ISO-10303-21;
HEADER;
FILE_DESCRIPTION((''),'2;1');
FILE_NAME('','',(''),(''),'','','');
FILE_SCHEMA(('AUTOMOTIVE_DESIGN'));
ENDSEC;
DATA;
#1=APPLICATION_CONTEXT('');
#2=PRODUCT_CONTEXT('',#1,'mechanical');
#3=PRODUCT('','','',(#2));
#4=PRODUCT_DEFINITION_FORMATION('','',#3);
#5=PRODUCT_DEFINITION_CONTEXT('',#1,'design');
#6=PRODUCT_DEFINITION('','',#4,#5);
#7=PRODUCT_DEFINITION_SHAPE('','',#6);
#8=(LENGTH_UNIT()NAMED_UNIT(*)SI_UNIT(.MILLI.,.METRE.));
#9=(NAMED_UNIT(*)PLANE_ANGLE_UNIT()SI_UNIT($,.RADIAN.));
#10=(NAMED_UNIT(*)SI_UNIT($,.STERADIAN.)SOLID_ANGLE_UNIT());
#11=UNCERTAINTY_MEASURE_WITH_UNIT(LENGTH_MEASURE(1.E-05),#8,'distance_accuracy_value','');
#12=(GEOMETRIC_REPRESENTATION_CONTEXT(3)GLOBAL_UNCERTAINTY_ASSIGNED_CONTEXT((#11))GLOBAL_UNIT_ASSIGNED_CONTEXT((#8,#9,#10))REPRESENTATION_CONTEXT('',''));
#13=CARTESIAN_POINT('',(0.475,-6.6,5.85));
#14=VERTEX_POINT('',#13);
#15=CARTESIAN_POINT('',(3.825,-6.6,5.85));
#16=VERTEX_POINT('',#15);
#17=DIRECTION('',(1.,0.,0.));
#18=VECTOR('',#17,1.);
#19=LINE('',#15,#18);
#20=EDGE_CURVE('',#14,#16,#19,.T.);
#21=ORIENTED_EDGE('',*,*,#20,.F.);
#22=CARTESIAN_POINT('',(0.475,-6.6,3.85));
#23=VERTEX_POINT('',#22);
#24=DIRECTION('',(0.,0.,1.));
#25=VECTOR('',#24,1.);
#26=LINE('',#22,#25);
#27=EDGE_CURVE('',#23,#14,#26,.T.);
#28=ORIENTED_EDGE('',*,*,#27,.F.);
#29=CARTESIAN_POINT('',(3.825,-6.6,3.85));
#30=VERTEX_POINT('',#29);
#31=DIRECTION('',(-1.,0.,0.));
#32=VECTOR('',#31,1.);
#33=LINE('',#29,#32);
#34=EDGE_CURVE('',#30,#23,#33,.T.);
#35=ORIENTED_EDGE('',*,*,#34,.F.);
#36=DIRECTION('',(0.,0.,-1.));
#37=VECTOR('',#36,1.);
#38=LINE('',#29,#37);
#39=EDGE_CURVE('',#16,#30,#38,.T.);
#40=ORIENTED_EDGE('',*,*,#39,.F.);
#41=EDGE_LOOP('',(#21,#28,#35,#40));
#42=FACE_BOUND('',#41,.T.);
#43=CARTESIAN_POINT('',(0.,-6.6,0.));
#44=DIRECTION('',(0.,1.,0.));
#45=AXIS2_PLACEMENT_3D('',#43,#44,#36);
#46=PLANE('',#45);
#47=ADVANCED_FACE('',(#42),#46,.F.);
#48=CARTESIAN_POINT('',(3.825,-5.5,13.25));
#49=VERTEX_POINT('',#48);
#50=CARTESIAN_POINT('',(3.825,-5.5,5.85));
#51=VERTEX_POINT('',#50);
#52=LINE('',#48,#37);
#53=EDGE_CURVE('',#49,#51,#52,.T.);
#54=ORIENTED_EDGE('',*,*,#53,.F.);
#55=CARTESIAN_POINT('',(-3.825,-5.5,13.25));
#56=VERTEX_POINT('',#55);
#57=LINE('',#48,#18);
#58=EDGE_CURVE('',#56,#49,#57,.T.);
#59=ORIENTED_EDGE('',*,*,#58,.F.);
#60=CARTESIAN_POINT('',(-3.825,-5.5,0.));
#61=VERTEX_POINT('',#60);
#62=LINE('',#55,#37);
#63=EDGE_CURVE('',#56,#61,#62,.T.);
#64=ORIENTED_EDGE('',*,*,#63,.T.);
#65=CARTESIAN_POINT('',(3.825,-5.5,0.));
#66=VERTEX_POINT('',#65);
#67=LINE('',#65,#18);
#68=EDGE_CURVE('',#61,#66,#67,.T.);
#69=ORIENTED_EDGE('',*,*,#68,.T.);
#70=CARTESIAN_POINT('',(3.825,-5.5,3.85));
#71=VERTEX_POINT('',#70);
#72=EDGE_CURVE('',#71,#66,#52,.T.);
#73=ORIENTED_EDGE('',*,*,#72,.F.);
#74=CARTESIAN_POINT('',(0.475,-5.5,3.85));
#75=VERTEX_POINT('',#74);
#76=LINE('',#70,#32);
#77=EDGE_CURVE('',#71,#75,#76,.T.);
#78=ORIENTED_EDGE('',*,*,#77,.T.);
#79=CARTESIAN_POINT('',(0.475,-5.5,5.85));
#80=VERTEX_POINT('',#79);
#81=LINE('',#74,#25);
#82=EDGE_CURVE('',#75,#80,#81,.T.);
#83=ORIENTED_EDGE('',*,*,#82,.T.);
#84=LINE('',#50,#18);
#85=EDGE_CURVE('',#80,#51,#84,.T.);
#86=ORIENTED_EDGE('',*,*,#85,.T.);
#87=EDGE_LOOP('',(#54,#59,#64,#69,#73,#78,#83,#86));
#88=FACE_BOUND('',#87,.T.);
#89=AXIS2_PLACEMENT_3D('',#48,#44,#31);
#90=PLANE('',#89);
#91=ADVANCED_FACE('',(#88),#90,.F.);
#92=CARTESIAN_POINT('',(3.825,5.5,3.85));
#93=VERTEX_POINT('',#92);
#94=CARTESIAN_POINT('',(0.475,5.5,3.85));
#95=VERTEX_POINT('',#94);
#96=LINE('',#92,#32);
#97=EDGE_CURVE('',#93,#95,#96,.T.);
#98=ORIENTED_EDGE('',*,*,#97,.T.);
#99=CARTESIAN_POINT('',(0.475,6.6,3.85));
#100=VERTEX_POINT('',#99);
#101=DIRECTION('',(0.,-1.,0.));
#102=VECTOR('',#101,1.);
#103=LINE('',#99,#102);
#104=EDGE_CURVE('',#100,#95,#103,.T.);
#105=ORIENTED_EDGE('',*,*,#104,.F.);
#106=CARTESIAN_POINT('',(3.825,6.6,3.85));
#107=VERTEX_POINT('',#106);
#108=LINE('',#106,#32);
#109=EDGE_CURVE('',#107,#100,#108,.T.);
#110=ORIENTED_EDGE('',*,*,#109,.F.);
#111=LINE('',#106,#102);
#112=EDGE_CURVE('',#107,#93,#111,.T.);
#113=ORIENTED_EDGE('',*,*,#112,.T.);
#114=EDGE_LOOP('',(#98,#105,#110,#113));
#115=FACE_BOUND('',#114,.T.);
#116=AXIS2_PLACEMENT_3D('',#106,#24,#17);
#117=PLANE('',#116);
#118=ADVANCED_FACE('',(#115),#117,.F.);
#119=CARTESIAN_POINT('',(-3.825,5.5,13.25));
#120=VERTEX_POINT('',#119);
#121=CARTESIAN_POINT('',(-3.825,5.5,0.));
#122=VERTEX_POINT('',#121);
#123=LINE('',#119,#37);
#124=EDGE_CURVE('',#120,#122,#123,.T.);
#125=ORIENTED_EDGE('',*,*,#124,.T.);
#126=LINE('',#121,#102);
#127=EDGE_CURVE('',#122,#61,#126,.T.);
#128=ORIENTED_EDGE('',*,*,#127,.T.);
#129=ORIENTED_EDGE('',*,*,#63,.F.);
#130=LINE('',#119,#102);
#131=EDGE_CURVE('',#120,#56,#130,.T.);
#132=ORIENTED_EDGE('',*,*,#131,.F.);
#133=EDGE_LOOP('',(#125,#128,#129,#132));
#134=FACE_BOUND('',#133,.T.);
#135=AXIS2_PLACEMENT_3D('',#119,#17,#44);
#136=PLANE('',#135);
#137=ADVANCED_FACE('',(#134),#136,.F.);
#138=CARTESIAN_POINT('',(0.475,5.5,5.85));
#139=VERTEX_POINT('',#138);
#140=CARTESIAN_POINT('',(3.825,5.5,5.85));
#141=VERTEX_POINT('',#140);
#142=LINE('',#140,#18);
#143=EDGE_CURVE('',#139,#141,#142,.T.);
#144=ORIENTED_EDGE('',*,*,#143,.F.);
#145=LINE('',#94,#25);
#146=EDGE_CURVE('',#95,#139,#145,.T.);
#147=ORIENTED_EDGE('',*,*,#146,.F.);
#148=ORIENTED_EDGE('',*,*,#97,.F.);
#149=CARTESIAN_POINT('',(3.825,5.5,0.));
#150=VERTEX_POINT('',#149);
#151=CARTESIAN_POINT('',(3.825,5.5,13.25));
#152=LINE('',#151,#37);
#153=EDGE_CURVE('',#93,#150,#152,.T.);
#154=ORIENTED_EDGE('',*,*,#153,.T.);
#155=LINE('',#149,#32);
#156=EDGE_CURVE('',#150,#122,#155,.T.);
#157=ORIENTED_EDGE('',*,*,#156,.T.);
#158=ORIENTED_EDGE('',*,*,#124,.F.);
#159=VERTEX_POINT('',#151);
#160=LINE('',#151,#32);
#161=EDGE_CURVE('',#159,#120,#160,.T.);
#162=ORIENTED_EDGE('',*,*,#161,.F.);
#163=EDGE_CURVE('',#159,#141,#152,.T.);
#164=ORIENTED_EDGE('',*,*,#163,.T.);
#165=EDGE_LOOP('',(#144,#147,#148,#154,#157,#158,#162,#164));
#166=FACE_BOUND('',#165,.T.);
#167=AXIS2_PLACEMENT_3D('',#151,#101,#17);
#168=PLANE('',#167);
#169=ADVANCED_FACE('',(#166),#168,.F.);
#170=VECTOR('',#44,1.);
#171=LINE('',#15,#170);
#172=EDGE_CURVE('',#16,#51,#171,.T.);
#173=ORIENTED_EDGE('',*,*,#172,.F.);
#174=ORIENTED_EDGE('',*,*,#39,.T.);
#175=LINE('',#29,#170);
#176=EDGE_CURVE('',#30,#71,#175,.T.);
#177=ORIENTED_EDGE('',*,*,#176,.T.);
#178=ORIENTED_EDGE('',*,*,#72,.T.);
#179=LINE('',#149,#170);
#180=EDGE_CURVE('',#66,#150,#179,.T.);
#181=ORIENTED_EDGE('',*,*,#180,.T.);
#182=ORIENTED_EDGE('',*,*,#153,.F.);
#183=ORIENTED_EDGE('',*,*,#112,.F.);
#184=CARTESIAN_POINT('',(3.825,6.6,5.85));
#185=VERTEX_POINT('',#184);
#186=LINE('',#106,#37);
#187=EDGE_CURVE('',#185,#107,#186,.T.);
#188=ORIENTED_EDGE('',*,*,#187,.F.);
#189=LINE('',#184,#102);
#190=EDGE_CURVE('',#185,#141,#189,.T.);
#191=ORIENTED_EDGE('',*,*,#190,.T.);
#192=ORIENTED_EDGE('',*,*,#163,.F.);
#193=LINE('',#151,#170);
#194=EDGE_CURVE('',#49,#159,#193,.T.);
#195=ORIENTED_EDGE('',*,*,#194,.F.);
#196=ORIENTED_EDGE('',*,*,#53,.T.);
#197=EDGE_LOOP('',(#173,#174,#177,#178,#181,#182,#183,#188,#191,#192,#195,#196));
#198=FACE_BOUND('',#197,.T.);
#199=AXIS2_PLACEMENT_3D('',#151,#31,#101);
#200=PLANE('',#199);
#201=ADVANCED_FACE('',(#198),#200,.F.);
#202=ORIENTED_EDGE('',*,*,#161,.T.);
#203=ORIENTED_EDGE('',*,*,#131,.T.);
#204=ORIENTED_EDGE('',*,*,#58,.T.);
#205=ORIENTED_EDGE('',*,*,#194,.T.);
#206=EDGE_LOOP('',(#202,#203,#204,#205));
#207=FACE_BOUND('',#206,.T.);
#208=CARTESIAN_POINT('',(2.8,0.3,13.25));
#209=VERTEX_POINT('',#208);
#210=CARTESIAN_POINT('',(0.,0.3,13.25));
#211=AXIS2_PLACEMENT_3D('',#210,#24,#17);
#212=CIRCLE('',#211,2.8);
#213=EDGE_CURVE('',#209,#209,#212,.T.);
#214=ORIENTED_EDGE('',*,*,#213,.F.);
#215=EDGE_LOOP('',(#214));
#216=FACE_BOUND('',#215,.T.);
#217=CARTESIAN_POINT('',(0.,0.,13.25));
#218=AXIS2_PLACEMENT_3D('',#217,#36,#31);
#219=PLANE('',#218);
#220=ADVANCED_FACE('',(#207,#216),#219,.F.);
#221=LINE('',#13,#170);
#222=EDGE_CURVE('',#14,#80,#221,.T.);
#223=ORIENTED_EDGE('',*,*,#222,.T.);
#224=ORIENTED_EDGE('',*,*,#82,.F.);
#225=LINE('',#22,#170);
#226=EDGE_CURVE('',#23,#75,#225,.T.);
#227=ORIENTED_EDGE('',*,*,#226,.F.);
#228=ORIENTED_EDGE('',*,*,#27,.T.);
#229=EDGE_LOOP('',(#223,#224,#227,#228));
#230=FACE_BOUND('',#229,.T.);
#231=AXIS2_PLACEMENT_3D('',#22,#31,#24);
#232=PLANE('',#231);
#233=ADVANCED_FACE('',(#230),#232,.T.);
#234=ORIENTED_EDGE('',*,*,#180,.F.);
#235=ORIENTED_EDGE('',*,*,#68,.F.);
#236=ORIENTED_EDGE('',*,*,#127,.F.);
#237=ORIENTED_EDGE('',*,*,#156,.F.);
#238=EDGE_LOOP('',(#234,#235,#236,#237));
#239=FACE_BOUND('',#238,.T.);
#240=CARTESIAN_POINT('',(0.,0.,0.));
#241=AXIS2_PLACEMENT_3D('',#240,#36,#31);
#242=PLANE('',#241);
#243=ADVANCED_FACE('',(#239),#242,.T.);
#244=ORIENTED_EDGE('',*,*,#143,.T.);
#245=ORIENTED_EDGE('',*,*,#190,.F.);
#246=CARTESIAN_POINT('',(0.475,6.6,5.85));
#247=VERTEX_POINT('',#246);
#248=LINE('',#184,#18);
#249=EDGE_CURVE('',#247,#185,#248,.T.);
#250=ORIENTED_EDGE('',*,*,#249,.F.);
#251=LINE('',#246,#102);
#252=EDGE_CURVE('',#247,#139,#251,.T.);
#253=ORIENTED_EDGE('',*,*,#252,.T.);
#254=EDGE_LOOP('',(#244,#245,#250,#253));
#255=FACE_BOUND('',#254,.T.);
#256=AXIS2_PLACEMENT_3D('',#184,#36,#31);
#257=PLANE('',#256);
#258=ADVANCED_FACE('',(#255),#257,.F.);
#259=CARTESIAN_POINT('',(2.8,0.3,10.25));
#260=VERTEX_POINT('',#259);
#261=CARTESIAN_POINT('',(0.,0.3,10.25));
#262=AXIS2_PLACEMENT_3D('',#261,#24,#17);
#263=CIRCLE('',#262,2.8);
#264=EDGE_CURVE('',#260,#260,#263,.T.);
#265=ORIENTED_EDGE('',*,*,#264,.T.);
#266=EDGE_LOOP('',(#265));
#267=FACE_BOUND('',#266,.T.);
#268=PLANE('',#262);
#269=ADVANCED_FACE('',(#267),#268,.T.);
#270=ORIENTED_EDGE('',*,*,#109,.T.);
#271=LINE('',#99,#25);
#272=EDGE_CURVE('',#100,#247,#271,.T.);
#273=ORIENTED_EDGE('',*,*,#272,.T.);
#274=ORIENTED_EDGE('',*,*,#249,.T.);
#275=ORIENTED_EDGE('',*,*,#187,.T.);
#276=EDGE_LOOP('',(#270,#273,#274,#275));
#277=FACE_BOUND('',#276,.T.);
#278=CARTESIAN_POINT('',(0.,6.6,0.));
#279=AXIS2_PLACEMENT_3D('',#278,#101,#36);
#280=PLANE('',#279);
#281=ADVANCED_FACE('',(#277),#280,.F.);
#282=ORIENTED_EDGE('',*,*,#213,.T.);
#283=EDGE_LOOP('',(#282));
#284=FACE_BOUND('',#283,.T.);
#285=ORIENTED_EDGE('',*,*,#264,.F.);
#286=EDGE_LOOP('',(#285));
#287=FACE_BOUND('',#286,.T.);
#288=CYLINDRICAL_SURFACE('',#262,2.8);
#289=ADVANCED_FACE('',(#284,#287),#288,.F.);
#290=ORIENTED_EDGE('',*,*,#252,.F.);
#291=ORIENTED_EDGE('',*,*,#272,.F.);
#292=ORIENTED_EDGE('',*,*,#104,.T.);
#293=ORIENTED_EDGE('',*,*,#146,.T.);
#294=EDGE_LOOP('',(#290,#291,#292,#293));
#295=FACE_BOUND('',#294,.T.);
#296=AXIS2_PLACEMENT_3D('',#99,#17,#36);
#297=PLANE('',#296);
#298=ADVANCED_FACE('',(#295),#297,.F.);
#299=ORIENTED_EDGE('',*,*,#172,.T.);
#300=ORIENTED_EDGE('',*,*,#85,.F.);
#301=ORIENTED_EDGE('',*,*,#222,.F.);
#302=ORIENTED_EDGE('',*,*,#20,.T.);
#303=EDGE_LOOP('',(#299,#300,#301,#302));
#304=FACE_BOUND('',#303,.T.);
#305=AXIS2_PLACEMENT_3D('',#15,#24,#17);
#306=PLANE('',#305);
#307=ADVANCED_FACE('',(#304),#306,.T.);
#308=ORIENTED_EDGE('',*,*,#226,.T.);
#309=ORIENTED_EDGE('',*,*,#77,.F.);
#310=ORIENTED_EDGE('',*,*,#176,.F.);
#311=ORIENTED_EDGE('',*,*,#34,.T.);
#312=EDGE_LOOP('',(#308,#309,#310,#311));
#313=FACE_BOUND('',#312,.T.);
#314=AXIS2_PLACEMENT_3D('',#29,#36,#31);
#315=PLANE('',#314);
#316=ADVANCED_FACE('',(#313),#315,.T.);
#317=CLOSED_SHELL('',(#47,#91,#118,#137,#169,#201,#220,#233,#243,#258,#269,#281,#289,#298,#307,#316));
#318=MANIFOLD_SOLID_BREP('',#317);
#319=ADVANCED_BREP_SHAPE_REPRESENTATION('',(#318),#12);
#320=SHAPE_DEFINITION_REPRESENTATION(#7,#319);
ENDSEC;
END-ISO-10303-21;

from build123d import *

# Parameters (mm, degrees)
SKETCH_1_W          = 7.65
SKETCH_1_H          = 11
EXTRUDE_1_DEPTH     = 13.25
SKETCH_2_W          = 3.35
SKETCH_2_H          = 2
EXTRUDE_2_DEPTH     = 1.1
SKETCH_3_R          = 2.8
CUT_EXTRUDE_1_DEPTH = 3


with BuildPart() as part:
    # Эскиз1 → Бобышка-Вытянуть1 (new body)
    with BuildSketch(Plane.XY):
        Rectangle(SKETCH_1_W, SKETCH_1_H)
    extrude(amount=EXTRUDE_1_DEPTH)

    # Эскиз2 → Бобышка-Вытянуть2 (add)
    with BuildSketch(Plane(origin=(0, 5.5, 0), x_dir=(1, 0, 0), z_dir=(0, 1, 0))):
        with Locations((2.15, -4.85)):
            Rectangle(SKETCH_2_W, SKETCH_2_H)
    extrude_2 = extrude(amount=EXTRUDE_2_DEPTH)

    # Зеркальное отражение1: Бобышка-Вытянуть2 across plane
    add(extrude_2.mirror(Plane.ZX))

    # Эскиз3 → Вырез-Вытянуть1 (cut)
    with BuildSketch(Plane.XY.offset(13.25)):
        with Locations((0, 0.3)):
            Circle(SKETCH_3_R)
    extrude(amount=-CUT_EXTRUDE_1_DEPTH, mode=Mode.SUBTRACT)


solid = part.part
